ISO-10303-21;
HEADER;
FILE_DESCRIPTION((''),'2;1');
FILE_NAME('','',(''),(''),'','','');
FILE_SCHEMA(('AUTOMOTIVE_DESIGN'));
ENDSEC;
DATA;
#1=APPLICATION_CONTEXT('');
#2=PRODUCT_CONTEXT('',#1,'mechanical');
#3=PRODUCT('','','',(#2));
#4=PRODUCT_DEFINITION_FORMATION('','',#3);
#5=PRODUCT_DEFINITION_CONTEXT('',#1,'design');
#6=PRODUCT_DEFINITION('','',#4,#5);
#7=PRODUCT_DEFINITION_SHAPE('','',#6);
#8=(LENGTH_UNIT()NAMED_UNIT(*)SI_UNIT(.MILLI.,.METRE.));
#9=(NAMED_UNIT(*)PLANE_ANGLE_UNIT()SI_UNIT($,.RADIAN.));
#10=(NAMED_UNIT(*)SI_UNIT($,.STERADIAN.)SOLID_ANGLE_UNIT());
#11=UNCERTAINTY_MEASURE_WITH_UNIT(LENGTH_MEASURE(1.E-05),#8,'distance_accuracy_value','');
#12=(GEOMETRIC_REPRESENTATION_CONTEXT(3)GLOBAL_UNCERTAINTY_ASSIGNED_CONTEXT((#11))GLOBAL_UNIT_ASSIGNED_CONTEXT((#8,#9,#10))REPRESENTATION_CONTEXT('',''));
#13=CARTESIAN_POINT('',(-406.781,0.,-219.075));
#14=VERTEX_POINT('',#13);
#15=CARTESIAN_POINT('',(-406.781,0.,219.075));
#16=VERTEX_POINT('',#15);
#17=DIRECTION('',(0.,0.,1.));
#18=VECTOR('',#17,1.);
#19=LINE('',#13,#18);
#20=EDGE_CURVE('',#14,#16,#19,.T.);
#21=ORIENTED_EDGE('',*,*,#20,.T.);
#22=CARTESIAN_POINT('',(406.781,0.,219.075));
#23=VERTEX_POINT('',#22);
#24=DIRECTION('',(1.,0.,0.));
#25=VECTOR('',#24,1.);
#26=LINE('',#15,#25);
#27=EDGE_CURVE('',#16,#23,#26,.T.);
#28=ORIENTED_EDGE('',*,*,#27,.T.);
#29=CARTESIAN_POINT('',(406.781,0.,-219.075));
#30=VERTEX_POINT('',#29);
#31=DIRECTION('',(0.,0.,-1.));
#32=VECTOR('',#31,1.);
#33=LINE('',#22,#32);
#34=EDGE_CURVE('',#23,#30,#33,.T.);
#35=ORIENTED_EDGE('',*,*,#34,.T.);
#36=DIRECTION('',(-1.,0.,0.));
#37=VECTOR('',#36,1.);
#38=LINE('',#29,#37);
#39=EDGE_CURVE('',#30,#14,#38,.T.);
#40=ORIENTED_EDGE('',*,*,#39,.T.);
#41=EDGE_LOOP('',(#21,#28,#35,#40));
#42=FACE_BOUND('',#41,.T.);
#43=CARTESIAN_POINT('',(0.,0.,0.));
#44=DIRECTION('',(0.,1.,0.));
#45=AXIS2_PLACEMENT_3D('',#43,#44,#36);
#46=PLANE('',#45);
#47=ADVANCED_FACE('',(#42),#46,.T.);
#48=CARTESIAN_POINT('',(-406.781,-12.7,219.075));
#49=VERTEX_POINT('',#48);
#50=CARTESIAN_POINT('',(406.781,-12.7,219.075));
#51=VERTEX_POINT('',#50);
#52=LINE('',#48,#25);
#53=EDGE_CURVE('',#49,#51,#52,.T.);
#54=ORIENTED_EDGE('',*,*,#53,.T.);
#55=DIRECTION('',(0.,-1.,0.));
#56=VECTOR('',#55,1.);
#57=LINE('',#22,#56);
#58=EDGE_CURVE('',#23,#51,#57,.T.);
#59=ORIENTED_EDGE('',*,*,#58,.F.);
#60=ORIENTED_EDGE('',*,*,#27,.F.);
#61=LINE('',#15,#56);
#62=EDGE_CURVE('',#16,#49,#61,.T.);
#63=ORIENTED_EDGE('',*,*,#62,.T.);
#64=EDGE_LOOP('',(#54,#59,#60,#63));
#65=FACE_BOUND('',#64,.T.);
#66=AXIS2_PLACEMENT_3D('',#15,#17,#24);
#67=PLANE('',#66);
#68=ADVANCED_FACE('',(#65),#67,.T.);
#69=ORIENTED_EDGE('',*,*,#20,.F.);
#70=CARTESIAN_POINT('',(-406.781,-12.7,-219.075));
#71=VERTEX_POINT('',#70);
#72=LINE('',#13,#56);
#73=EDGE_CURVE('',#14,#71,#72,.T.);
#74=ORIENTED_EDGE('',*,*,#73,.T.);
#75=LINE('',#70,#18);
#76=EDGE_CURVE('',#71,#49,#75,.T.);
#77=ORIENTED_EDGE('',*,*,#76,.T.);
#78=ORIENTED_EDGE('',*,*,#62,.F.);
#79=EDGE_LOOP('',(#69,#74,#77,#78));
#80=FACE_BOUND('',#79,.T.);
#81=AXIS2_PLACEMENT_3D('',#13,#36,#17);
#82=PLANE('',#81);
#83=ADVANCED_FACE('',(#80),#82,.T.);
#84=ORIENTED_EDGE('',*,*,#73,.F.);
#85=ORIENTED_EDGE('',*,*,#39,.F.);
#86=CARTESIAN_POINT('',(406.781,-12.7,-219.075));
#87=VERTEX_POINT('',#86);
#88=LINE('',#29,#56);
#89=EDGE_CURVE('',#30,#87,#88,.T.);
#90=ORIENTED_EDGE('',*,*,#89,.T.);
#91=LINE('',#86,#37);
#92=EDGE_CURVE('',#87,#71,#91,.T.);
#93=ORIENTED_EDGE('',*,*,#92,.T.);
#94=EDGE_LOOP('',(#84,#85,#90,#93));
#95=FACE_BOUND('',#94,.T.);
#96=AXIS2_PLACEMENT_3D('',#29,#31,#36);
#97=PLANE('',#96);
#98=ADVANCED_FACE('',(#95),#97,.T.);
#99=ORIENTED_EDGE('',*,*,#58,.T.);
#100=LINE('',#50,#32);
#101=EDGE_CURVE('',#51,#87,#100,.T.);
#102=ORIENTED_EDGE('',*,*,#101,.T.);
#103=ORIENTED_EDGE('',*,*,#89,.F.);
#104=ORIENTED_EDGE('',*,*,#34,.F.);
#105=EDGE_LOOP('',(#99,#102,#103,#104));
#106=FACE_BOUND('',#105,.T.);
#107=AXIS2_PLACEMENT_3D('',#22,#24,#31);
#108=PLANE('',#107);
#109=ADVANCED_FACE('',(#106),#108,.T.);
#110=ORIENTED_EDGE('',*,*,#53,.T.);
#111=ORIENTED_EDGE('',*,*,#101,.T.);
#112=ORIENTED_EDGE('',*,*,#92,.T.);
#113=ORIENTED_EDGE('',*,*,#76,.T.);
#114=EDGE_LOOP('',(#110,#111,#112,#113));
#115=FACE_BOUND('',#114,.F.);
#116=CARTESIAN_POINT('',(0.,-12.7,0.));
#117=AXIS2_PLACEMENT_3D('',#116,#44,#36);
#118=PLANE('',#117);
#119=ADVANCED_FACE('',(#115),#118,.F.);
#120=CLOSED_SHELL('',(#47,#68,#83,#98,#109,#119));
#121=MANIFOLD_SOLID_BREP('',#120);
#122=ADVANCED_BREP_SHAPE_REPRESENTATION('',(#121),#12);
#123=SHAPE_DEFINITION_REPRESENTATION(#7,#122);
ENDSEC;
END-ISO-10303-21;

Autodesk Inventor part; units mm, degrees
ref_plane "YZ Plane" through (0, 0, 0) normal (1, 0, 0) x (0, 1, 0)
ref_plane "XZ Plane" through (0, 0, 0) normal (0, 1, 0) x (-1, 0, 0)
ref_plane "XY Plane" through (0, 0, 0) normal (0, 0, 1) x (1, 0, 0)
sketch "Sketch2" plane through (0, 0, 0) normal (0, 1, 0) x (-1, 0, 0)
  line L0 (406.781, 219.075) -> (-406.781, 219.075)
  line L1 (-406.781, 219.075) -> (-406.781, -219.075)
  line L2 (-406.781, -219.075) -> (406.781, -219.075)
  line L3 (406.781, -219.075) -> (406.781, 219.075)
  line L4 (406.781, 219.075) -> (-406.781, -219.075) construction
  line L5 (-406.781, 219.075) -> (406.781, -219.075) construction
  point P0 (0, 0)
  dimension "d0" = 813.562
  dimension "d1" = 438.15
extrude "Extrusion1" add sketch "Sketch2" against normal blind 12.7
properties part number "PlywoodBasePlate17_25x32_03x0_5inches" material "Wood (Maple)"
